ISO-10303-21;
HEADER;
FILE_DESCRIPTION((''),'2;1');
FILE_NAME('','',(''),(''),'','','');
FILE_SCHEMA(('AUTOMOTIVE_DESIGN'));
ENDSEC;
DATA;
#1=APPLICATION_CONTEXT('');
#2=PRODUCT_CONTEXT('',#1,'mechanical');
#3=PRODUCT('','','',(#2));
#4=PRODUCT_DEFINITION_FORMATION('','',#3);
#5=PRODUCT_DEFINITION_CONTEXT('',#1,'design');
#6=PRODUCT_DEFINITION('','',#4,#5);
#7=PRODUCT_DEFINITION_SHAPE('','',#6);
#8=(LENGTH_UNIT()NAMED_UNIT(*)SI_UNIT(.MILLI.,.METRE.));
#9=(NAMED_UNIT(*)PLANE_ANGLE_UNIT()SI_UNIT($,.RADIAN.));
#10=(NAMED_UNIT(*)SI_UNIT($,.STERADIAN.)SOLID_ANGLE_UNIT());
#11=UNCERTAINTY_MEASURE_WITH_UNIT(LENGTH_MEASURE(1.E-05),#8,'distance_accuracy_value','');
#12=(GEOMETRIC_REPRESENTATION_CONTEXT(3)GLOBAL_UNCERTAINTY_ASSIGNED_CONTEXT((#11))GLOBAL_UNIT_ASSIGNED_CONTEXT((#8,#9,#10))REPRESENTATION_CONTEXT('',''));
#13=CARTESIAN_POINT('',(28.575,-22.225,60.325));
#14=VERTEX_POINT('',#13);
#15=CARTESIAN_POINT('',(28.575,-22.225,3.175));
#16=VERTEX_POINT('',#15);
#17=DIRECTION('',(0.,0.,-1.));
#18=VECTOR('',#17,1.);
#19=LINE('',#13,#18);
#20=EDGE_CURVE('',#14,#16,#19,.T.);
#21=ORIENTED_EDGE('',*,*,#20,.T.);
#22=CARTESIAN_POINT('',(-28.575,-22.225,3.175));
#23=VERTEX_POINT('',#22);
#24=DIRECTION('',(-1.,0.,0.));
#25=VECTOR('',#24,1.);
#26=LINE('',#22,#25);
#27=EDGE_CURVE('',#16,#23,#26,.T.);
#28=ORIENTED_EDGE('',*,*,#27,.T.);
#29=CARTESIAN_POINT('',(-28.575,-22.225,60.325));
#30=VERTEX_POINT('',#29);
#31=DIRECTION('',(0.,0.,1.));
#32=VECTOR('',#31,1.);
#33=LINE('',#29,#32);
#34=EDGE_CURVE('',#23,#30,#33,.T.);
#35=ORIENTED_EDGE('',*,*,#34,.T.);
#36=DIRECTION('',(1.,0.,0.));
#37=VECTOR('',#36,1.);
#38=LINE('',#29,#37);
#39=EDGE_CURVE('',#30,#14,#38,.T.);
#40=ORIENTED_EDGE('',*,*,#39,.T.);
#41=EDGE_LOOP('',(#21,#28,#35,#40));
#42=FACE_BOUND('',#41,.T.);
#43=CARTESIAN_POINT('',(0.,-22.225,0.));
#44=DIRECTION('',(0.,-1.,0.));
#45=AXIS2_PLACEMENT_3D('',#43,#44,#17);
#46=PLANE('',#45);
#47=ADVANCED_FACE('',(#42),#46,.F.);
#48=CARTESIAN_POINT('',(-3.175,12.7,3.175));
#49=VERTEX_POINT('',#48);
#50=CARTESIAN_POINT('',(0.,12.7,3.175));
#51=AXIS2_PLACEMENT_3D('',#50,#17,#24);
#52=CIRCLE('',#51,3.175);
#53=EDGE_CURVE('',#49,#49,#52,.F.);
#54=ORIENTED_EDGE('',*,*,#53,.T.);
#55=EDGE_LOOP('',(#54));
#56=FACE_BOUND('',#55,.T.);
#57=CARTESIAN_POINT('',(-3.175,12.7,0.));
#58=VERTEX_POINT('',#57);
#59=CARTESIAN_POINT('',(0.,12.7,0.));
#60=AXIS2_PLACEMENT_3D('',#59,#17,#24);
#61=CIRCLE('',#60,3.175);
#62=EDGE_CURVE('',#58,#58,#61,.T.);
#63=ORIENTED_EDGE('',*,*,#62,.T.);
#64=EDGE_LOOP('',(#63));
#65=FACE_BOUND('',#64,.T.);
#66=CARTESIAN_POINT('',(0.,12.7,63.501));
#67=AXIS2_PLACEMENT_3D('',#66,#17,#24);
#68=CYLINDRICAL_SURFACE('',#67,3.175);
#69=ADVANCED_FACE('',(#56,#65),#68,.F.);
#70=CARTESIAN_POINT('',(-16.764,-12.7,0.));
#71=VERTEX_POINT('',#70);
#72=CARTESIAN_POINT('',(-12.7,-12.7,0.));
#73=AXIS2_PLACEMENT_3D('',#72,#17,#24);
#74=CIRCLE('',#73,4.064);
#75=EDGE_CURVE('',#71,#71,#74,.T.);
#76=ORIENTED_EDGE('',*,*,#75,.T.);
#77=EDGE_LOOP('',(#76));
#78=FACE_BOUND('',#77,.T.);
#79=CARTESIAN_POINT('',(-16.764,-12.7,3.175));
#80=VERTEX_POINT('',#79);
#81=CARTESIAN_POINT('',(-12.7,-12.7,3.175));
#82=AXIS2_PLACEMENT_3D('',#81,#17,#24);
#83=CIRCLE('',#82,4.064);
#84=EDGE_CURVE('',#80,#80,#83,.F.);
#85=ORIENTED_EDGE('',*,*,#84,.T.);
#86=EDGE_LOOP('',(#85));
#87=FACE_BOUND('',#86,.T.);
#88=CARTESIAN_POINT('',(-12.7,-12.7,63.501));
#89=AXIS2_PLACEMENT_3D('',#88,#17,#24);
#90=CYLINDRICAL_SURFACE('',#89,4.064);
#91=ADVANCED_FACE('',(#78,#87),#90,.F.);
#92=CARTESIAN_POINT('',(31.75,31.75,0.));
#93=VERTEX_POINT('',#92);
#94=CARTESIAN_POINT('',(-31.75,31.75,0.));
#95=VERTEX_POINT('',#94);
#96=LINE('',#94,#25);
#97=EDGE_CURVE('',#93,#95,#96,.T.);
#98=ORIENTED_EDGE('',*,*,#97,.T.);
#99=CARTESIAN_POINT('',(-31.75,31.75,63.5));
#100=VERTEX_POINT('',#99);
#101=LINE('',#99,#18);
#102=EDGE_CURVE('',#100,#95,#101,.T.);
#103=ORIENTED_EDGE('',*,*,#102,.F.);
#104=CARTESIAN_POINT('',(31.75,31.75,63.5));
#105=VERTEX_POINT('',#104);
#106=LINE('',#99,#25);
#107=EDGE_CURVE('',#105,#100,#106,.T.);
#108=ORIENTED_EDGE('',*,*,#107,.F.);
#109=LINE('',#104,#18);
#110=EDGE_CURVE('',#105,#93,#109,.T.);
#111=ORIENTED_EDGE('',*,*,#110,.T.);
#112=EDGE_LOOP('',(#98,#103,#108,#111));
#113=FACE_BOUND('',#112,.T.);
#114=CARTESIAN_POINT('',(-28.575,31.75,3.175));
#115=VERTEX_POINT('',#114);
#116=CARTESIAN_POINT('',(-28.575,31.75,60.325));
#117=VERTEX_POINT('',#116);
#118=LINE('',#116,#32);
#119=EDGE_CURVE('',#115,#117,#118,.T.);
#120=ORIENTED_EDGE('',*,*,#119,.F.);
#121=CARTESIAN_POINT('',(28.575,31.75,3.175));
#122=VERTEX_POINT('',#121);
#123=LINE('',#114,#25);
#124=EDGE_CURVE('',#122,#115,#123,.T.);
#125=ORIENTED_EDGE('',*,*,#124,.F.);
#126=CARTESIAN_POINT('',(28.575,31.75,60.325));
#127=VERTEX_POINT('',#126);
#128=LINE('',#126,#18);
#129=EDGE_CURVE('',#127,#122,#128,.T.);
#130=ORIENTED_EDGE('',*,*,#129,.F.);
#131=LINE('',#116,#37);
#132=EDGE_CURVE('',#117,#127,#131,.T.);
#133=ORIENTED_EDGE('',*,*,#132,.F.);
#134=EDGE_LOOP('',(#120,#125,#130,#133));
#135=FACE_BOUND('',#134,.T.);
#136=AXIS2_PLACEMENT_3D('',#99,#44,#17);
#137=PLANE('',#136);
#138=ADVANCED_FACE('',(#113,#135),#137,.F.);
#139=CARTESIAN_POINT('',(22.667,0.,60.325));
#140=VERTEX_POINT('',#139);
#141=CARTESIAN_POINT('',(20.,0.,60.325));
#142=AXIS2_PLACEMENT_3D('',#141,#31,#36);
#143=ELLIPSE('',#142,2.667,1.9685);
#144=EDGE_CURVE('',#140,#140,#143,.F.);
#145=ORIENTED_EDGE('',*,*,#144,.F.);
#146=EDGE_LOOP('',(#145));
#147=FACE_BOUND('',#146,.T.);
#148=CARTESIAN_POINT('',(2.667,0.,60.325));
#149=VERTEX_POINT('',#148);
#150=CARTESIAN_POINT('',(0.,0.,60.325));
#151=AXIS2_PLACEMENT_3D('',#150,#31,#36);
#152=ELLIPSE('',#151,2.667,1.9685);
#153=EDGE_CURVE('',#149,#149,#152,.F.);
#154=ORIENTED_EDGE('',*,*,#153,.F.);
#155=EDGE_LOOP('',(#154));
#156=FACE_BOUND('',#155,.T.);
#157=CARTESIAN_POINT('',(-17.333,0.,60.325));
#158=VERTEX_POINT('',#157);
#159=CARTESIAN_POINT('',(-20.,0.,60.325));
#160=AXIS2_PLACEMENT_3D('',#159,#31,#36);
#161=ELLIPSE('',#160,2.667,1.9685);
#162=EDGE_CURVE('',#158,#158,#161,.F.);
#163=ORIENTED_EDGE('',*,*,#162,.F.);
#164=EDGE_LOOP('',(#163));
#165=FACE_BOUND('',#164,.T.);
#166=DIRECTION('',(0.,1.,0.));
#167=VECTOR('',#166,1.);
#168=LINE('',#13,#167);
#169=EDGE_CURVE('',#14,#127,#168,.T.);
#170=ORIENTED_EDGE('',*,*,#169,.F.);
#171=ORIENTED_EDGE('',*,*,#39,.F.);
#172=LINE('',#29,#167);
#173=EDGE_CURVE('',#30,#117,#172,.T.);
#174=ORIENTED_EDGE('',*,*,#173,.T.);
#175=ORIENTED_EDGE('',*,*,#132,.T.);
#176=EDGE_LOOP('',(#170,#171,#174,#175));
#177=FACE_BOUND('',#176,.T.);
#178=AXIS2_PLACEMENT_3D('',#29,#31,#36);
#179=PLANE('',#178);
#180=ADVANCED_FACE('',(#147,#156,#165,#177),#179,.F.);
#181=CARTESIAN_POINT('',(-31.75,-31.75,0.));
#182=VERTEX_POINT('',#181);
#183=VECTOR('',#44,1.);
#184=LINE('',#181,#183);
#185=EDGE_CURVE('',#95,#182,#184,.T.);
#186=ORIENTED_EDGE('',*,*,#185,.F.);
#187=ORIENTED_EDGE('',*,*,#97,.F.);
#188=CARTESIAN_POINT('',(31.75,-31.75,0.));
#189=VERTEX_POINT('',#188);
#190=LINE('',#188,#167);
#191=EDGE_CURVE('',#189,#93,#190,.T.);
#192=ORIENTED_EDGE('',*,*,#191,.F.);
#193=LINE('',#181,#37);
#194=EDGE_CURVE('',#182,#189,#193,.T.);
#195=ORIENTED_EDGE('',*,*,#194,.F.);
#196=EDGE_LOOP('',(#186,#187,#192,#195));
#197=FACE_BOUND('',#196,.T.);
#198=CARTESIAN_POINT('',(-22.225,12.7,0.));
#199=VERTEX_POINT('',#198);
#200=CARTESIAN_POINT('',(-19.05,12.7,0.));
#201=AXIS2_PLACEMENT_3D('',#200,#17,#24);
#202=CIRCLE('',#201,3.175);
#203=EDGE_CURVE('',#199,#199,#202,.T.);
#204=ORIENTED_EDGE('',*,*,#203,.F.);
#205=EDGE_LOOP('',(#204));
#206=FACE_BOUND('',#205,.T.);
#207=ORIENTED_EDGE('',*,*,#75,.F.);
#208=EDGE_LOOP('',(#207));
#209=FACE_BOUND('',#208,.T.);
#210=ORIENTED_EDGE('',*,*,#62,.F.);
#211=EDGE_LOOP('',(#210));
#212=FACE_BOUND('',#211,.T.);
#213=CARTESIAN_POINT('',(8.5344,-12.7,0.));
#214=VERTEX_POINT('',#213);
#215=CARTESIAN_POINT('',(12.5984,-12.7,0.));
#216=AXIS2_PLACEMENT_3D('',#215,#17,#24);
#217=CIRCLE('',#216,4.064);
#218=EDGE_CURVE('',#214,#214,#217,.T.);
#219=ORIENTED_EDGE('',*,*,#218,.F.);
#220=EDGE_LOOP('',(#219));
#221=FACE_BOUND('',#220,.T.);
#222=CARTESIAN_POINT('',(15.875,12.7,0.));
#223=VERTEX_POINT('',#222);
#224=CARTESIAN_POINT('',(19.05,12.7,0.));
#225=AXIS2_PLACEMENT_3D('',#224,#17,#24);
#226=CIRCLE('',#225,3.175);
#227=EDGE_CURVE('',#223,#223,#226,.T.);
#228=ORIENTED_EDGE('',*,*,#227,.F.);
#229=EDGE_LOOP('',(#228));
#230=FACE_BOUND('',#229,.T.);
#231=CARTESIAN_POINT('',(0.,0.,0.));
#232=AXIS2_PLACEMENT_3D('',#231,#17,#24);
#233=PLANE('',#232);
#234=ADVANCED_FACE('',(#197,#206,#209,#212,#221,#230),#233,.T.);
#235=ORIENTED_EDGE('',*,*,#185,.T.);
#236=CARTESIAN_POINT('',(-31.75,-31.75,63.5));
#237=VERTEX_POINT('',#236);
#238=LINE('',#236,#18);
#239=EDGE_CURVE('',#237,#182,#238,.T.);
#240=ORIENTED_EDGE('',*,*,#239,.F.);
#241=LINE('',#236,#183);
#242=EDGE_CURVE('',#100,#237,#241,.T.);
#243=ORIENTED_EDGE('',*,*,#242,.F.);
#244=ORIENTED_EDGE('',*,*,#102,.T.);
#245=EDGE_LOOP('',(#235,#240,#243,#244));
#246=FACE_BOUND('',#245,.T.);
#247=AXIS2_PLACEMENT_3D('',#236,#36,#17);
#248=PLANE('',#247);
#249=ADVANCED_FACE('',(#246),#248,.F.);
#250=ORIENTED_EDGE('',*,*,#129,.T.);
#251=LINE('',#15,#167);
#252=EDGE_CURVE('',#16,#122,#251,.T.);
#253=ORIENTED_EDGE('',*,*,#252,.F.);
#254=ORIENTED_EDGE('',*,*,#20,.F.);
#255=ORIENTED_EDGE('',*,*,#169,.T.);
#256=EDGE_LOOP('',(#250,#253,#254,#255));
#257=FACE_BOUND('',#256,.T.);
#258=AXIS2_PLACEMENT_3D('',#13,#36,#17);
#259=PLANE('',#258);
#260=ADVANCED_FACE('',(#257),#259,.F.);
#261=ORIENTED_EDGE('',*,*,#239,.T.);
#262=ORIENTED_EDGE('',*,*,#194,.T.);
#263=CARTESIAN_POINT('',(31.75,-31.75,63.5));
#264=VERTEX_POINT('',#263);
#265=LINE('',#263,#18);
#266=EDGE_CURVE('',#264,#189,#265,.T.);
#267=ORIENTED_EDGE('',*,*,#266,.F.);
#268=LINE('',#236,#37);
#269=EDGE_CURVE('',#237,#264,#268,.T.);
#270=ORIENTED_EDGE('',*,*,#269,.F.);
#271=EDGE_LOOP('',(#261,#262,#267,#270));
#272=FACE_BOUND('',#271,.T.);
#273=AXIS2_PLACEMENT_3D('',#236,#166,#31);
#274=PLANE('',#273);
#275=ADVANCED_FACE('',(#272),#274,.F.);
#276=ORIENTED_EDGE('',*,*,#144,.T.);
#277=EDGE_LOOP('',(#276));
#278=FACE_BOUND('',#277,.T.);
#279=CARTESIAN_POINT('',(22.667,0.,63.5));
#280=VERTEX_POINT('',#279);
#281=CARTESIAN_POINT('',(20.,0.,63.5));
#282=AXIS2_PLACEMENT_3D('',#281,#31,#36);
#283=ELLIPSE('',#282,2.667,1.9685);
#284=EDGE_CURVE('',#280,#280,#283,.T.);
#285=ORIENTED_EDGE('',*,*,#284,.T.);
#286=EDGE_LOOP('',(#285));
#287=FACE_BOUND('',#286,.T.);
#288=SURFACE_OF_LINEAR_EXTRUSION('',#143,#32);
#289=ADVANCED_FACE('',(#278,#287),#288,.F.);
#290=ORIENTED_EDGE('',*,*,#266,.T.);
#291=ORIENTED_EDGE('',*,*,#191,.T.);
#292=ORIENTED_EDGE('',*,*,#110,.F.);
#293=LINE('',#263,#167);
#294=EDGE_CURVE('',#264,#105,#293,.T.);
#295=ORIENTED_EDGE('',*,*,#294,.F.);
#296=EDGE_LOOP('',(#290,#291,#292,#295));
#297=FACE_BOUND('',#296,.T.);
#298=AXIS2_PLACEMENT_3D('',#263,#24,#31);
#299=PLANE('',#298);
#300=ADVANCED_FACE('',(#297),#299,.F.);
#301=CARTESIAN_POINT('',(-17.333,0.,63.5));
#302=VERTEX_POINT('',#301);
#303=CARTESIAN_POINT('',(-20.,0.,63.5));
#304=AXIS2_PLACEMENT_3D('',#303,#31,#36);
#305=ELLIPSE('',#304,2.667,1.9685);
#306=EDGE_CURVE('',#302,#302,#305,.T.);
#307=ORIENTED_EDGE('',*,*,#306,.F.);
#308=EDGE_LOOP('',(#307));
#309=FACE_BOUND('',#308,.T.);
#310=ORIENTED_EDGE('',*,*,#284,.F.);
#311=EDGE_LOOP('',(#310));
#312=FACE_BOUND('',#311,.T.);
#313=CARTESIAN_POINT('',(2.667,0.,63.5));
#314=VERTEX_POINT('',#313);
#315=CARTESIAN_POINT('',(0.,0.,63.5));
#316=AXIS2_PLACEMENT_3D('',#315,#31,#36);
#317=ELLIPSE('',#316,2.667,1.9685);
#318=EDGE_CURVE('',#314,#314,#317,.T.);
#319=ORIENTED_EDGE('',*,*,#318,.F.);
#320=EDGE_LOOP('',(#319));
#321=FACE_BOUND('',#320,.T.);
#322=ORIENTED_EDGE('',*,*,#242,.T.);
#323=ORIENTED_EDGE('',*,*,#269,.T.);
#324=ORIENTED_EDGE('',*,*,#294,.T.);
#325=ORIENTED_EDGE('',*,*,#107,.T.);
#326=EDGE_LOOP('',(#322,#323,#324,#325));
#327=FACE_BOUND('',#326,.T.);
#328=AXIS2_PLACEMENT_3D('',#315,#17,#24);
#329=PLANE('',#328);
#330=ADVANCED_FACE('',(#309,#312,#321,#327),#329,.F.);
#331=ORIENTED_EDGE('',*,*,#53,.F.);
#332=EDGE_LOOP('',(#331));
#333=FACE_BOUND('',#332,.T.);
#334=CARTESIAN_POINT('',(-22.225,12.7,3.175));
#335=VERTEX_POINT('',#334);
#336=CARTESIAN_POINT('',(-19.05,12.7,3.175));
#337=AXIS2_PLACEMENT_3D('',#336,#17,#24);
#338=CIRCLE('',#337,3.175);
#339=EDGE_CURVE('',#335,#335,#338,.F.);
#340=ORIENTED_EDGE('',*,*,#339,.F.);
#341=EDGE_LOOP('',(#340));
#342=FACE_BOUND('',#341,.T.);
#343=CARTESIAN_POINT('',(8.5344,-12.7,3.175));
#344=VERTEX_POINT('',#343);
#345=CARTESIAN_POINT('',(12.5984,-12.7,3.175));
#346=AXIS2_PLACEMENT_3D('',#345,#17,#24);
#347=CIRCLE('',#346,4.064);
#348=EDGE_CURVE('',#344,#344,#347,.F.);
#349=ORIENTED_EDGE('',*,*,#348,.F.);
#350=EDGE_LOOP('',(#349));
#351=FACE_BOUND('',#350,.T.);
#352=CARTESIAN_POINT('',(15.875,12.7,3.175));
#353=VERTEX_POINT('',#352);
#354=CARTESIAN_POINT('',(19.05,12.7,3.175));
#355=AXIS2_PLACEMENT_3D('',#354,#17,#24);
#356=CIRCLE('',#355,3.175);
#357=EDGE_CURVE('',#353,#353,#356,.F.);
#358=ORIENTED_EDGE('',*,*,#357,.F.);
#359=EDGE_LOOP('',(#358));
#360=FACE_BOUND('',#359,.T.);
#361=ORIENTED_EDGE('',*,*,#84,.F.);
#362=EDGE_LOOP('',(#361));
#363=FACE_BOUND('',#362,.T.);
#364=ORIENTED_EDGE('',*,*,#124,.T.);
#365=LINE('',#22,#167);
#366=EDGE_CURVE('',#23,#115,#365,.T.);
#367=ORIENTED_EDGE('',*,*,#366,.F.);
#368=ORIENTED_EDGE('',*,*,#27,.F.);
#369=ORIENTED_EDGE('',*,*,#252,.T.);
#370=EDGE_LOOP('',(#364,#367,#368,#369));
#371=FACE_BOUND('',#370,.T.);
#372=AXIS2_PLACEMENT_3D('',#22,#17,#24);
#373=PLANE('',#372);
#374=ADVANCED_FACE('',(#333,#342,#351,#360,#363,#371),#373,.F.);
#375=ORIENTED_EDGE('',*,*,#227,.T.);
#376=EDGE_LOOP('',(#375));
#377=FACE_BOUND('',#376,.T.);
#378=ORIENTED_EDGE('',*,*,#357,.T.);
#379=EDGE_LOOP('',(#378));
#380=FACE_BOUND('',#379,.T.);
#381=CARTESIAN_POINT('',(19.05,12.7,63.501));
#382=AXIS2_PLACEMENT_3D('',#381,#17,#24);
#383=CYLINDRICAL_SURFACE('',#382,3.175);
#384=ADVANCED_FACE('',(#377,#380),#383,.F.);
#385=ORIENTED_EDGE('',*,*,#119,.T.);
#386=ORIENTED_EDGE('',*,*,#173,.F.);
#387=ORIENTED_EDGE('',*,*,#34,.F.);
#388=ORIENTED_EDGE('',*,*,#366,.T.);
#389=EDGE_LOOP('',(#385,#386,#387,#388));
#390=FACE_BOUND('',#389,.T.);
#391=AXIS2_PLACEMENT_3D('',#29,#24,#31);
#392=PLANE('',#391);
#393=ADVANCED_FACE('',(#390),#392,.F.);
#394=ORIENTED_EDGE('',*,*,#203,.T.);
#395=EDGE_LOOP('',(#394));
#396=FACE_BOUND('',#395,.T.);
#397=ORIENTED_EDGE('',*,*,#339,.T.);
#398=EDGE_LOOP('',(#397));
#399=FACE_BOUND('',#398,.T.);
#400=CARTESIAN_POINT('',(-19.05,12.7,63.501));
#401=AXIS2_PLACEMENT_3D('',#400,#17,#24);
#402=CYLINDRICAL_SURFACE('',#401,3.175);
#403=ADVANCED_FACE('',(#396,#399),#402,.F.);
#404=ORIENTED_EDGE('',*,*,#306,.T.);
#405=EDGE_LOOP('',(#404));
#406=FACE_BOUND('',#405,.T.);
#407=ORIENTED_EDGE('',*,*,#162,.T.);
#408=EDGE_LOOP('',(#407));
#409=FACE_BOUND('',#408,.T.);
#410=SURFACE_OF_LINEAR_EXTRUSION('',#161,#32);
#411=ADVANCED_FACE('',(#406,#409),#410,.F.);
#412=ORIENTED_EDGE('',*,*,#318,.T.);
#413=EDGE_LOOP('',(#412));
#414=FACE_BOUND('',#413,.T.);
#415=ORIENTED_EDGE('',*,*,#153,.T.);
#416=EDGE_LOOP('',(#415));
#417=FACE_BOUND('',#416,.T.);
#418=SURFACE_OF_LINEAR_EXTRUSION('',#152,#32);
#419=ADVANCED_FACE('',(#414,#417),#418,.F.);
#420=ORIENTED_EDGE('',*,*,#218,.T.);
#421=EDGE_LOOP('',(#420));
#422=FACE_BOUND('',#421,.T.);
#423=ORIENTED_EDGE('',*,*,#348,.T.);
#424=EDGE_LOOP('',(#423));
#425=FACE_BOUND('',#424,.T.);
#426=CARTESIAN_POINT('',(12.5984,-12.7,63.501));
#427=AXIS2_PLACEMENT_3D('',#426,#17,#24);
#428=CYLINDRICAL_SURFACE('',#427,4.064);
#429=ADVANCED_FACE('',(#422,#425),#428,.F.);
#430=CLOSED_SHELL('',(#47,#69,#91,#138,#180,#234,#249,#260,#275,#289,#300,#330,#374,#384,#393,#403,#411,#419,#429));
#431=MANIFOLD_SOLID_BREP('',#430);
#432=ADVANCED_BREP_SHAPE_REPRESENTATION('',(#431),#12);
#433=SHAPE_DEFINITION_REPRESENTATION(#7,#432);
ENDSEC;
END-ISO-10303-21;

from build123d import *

# Parameters (mm, degrees)
SKETCH1_W           = 63.5
SKETCH1_H           = 63.5
BOSS_EXTRUDE1_DEPTH = 63.5
SKETCH2_RX          = 2.667
SKETCH2_RY          = 1.9685
CUT_EXTRUDE1_DEPTH  = 3.175
SKETCH3_W           = 57.15
SKETCH3_H           = 57.15
CUT_EXTRUDE2_DEPTH  = 53.975
CUT_EXTRUDE3_REACH  = 79.771
SKETCH4_R           = 4.064
CUT_EXTRUDE4_REACH  = 79.771
SKETCH5_R           = 3.175


with BuildPart() as part:
    # Sketch1 → Boss-Extrude1 (new body)
    with BuildSketch(Plane.XY):
        Rectangle(SKETCH1_W, SKETCH1_H)
    extrude(amount=BOSS_EXTRUDE1_DEPTH)

    # Sketch2 → Cut-Extrude1 (cut)
    with BuildSketch(Plane.XY.offset(63.5)):
        with Locations((0, 0)):
            Ellipse(SKETCH2_RX, SKETCH2_RY)
        with Locations((20, 0)):
            Ellipse(SKETCH2_RX, SKETCH2_RY)
        with Locations((-20, 0)):
            Ellipse(SKETCH2_RX, SKETCH2_RY)
    extrude(amount=-CUT_EXTRUDE1_DEPTH, mode=Mode.SUBTRACT)

    # Sketch3 → Cut-Extrude2 (cut)
    with BuildSketch(Plane(origin=(0, 31.75, 0), x_dir=(1, 0, 0), z_dir=(0, 1, 0))):
        with Locations((0, -31.75)):
            Rectangle(SKETCH3_W, SKETCH3_H)
    extrude(amount=-CUT_EXTRUDE2_DEPTH, mode=Mode.SUBTRACT)

    # Sketch4 → Cut-Extrude3 (cut, up to next)
    with BuildSketch(Plane(origin=(0, 0, 0), x_dir=(-1, 0, 0), z_dir=(0, 0, -1)), mode=Mode.PRIVATE) as cut_extrude3_sk1:
        with Locations((-12.5984, -12.7)):
            Circle(SKETCH4_R)
    cut_extrude3_tool1 = extrude(cut_extrude3_sk1.sketch, amount=-CUT_EXTRUDE3_REACH, mode=Mode.PRIVATE) & part.part
    # Sketch4 → Cut-Extrude3 (cut, up to next)
    with BuildSketch(Plane(origin=(0, 0, 0), x_dir=(-1, 0, 0), z_dir=(0, 0, -1)), mode=Mode.PRIVATE) as cut_extrude3_sk2:
        with Locations((12.7, -12.7)):
            Circle(SKETCH4_R)
    cut_extrude3_tool2 = extrude(cut_extrude3_sk2.sketch, amount=-CUT_EXTRUDE3_REACH, mode=Mode.PRIVATE) & part.part
    add(cut_extrude3_tool1.solids().sort_by_distance((12.5984, -12.7, 0))[0], mode=Mode.SUBTRACT)
    add(cut_extrude3_tool2.solids().sort_by_distance((-12.7, -12.7, 0))[0], mode=Mode.SUBTRACT)

    # Sketch5 → Cut-Extrude4 (cut, up to next)
    with BuildSketch(Plane(origin=(0, 0, 0), x_dir=(-1, 0, 0), z_dir=(0, 0, -1)), mode=Mode.PRIVATE) as cut_extrude4_sk1:
        with Locations((-19.05, 12.7)):
            Circle(SKETCH5_R)
    cut_extrude4_tool1 = extrude(cut_extrude4_sk1.sketch, amount=-CUT_EXTRUDE4_REACH, mode=Mode.PRIVATE) & part.part
    # Sketch5 → Cut-Extrude4 (cut, up to next)
    with BuildSketch(Plane(origin=(0, 0, 0), x_dir=(-1, 0, 0), z_dir=(0, 0, -1)), mode=Mode.PRIVATE) as cut_extrude4_sk2:
        with Locations((0, 12.7)):
            Circle(SKETCH5_R)
    cut_extrude4_tool2 = extrude(cut_extrude4_sk2.sketch, amount=-CUT_EXTRUDE4_REACH, mode=Mode.PRIVATE) & part.part
    # Sketch5 → Cut-Extrude4 (cut, up to next)
    with BuildSketch(Plane(origin=(0, 0, 0), x_dir=(-1, 0, 0), z_dir=(0, 0, -1)), mode=Mode.PRIVATE) as cut_extrude4_sk3:
        with Locations((19.05, 12.7)):
            Circle(SKETCH5_R)
    cut_extrude4_tool3 = extrude(cut_extrude4_sk3.sketch, amount=-CUT_EXTRUDE4_REACH, mode=Mode.PRIVATE) & part.part
    add(cut_extrude4_tool1.solids().sort_by_distance((19.05, 12.7, 0))[0], mode=Mode.SUBTRACT)
    add(cut_extrude4_tool2.solids().sort_by_distance((0, 12.7, 0))[0], mode=Mode.SUBTRACT)
    add(cut_extrude4_tool3.solids().sort_by_distance((-19.05, 12.7, 0))[0], mode=Mode.SUBTRACT)


solid = part.part
